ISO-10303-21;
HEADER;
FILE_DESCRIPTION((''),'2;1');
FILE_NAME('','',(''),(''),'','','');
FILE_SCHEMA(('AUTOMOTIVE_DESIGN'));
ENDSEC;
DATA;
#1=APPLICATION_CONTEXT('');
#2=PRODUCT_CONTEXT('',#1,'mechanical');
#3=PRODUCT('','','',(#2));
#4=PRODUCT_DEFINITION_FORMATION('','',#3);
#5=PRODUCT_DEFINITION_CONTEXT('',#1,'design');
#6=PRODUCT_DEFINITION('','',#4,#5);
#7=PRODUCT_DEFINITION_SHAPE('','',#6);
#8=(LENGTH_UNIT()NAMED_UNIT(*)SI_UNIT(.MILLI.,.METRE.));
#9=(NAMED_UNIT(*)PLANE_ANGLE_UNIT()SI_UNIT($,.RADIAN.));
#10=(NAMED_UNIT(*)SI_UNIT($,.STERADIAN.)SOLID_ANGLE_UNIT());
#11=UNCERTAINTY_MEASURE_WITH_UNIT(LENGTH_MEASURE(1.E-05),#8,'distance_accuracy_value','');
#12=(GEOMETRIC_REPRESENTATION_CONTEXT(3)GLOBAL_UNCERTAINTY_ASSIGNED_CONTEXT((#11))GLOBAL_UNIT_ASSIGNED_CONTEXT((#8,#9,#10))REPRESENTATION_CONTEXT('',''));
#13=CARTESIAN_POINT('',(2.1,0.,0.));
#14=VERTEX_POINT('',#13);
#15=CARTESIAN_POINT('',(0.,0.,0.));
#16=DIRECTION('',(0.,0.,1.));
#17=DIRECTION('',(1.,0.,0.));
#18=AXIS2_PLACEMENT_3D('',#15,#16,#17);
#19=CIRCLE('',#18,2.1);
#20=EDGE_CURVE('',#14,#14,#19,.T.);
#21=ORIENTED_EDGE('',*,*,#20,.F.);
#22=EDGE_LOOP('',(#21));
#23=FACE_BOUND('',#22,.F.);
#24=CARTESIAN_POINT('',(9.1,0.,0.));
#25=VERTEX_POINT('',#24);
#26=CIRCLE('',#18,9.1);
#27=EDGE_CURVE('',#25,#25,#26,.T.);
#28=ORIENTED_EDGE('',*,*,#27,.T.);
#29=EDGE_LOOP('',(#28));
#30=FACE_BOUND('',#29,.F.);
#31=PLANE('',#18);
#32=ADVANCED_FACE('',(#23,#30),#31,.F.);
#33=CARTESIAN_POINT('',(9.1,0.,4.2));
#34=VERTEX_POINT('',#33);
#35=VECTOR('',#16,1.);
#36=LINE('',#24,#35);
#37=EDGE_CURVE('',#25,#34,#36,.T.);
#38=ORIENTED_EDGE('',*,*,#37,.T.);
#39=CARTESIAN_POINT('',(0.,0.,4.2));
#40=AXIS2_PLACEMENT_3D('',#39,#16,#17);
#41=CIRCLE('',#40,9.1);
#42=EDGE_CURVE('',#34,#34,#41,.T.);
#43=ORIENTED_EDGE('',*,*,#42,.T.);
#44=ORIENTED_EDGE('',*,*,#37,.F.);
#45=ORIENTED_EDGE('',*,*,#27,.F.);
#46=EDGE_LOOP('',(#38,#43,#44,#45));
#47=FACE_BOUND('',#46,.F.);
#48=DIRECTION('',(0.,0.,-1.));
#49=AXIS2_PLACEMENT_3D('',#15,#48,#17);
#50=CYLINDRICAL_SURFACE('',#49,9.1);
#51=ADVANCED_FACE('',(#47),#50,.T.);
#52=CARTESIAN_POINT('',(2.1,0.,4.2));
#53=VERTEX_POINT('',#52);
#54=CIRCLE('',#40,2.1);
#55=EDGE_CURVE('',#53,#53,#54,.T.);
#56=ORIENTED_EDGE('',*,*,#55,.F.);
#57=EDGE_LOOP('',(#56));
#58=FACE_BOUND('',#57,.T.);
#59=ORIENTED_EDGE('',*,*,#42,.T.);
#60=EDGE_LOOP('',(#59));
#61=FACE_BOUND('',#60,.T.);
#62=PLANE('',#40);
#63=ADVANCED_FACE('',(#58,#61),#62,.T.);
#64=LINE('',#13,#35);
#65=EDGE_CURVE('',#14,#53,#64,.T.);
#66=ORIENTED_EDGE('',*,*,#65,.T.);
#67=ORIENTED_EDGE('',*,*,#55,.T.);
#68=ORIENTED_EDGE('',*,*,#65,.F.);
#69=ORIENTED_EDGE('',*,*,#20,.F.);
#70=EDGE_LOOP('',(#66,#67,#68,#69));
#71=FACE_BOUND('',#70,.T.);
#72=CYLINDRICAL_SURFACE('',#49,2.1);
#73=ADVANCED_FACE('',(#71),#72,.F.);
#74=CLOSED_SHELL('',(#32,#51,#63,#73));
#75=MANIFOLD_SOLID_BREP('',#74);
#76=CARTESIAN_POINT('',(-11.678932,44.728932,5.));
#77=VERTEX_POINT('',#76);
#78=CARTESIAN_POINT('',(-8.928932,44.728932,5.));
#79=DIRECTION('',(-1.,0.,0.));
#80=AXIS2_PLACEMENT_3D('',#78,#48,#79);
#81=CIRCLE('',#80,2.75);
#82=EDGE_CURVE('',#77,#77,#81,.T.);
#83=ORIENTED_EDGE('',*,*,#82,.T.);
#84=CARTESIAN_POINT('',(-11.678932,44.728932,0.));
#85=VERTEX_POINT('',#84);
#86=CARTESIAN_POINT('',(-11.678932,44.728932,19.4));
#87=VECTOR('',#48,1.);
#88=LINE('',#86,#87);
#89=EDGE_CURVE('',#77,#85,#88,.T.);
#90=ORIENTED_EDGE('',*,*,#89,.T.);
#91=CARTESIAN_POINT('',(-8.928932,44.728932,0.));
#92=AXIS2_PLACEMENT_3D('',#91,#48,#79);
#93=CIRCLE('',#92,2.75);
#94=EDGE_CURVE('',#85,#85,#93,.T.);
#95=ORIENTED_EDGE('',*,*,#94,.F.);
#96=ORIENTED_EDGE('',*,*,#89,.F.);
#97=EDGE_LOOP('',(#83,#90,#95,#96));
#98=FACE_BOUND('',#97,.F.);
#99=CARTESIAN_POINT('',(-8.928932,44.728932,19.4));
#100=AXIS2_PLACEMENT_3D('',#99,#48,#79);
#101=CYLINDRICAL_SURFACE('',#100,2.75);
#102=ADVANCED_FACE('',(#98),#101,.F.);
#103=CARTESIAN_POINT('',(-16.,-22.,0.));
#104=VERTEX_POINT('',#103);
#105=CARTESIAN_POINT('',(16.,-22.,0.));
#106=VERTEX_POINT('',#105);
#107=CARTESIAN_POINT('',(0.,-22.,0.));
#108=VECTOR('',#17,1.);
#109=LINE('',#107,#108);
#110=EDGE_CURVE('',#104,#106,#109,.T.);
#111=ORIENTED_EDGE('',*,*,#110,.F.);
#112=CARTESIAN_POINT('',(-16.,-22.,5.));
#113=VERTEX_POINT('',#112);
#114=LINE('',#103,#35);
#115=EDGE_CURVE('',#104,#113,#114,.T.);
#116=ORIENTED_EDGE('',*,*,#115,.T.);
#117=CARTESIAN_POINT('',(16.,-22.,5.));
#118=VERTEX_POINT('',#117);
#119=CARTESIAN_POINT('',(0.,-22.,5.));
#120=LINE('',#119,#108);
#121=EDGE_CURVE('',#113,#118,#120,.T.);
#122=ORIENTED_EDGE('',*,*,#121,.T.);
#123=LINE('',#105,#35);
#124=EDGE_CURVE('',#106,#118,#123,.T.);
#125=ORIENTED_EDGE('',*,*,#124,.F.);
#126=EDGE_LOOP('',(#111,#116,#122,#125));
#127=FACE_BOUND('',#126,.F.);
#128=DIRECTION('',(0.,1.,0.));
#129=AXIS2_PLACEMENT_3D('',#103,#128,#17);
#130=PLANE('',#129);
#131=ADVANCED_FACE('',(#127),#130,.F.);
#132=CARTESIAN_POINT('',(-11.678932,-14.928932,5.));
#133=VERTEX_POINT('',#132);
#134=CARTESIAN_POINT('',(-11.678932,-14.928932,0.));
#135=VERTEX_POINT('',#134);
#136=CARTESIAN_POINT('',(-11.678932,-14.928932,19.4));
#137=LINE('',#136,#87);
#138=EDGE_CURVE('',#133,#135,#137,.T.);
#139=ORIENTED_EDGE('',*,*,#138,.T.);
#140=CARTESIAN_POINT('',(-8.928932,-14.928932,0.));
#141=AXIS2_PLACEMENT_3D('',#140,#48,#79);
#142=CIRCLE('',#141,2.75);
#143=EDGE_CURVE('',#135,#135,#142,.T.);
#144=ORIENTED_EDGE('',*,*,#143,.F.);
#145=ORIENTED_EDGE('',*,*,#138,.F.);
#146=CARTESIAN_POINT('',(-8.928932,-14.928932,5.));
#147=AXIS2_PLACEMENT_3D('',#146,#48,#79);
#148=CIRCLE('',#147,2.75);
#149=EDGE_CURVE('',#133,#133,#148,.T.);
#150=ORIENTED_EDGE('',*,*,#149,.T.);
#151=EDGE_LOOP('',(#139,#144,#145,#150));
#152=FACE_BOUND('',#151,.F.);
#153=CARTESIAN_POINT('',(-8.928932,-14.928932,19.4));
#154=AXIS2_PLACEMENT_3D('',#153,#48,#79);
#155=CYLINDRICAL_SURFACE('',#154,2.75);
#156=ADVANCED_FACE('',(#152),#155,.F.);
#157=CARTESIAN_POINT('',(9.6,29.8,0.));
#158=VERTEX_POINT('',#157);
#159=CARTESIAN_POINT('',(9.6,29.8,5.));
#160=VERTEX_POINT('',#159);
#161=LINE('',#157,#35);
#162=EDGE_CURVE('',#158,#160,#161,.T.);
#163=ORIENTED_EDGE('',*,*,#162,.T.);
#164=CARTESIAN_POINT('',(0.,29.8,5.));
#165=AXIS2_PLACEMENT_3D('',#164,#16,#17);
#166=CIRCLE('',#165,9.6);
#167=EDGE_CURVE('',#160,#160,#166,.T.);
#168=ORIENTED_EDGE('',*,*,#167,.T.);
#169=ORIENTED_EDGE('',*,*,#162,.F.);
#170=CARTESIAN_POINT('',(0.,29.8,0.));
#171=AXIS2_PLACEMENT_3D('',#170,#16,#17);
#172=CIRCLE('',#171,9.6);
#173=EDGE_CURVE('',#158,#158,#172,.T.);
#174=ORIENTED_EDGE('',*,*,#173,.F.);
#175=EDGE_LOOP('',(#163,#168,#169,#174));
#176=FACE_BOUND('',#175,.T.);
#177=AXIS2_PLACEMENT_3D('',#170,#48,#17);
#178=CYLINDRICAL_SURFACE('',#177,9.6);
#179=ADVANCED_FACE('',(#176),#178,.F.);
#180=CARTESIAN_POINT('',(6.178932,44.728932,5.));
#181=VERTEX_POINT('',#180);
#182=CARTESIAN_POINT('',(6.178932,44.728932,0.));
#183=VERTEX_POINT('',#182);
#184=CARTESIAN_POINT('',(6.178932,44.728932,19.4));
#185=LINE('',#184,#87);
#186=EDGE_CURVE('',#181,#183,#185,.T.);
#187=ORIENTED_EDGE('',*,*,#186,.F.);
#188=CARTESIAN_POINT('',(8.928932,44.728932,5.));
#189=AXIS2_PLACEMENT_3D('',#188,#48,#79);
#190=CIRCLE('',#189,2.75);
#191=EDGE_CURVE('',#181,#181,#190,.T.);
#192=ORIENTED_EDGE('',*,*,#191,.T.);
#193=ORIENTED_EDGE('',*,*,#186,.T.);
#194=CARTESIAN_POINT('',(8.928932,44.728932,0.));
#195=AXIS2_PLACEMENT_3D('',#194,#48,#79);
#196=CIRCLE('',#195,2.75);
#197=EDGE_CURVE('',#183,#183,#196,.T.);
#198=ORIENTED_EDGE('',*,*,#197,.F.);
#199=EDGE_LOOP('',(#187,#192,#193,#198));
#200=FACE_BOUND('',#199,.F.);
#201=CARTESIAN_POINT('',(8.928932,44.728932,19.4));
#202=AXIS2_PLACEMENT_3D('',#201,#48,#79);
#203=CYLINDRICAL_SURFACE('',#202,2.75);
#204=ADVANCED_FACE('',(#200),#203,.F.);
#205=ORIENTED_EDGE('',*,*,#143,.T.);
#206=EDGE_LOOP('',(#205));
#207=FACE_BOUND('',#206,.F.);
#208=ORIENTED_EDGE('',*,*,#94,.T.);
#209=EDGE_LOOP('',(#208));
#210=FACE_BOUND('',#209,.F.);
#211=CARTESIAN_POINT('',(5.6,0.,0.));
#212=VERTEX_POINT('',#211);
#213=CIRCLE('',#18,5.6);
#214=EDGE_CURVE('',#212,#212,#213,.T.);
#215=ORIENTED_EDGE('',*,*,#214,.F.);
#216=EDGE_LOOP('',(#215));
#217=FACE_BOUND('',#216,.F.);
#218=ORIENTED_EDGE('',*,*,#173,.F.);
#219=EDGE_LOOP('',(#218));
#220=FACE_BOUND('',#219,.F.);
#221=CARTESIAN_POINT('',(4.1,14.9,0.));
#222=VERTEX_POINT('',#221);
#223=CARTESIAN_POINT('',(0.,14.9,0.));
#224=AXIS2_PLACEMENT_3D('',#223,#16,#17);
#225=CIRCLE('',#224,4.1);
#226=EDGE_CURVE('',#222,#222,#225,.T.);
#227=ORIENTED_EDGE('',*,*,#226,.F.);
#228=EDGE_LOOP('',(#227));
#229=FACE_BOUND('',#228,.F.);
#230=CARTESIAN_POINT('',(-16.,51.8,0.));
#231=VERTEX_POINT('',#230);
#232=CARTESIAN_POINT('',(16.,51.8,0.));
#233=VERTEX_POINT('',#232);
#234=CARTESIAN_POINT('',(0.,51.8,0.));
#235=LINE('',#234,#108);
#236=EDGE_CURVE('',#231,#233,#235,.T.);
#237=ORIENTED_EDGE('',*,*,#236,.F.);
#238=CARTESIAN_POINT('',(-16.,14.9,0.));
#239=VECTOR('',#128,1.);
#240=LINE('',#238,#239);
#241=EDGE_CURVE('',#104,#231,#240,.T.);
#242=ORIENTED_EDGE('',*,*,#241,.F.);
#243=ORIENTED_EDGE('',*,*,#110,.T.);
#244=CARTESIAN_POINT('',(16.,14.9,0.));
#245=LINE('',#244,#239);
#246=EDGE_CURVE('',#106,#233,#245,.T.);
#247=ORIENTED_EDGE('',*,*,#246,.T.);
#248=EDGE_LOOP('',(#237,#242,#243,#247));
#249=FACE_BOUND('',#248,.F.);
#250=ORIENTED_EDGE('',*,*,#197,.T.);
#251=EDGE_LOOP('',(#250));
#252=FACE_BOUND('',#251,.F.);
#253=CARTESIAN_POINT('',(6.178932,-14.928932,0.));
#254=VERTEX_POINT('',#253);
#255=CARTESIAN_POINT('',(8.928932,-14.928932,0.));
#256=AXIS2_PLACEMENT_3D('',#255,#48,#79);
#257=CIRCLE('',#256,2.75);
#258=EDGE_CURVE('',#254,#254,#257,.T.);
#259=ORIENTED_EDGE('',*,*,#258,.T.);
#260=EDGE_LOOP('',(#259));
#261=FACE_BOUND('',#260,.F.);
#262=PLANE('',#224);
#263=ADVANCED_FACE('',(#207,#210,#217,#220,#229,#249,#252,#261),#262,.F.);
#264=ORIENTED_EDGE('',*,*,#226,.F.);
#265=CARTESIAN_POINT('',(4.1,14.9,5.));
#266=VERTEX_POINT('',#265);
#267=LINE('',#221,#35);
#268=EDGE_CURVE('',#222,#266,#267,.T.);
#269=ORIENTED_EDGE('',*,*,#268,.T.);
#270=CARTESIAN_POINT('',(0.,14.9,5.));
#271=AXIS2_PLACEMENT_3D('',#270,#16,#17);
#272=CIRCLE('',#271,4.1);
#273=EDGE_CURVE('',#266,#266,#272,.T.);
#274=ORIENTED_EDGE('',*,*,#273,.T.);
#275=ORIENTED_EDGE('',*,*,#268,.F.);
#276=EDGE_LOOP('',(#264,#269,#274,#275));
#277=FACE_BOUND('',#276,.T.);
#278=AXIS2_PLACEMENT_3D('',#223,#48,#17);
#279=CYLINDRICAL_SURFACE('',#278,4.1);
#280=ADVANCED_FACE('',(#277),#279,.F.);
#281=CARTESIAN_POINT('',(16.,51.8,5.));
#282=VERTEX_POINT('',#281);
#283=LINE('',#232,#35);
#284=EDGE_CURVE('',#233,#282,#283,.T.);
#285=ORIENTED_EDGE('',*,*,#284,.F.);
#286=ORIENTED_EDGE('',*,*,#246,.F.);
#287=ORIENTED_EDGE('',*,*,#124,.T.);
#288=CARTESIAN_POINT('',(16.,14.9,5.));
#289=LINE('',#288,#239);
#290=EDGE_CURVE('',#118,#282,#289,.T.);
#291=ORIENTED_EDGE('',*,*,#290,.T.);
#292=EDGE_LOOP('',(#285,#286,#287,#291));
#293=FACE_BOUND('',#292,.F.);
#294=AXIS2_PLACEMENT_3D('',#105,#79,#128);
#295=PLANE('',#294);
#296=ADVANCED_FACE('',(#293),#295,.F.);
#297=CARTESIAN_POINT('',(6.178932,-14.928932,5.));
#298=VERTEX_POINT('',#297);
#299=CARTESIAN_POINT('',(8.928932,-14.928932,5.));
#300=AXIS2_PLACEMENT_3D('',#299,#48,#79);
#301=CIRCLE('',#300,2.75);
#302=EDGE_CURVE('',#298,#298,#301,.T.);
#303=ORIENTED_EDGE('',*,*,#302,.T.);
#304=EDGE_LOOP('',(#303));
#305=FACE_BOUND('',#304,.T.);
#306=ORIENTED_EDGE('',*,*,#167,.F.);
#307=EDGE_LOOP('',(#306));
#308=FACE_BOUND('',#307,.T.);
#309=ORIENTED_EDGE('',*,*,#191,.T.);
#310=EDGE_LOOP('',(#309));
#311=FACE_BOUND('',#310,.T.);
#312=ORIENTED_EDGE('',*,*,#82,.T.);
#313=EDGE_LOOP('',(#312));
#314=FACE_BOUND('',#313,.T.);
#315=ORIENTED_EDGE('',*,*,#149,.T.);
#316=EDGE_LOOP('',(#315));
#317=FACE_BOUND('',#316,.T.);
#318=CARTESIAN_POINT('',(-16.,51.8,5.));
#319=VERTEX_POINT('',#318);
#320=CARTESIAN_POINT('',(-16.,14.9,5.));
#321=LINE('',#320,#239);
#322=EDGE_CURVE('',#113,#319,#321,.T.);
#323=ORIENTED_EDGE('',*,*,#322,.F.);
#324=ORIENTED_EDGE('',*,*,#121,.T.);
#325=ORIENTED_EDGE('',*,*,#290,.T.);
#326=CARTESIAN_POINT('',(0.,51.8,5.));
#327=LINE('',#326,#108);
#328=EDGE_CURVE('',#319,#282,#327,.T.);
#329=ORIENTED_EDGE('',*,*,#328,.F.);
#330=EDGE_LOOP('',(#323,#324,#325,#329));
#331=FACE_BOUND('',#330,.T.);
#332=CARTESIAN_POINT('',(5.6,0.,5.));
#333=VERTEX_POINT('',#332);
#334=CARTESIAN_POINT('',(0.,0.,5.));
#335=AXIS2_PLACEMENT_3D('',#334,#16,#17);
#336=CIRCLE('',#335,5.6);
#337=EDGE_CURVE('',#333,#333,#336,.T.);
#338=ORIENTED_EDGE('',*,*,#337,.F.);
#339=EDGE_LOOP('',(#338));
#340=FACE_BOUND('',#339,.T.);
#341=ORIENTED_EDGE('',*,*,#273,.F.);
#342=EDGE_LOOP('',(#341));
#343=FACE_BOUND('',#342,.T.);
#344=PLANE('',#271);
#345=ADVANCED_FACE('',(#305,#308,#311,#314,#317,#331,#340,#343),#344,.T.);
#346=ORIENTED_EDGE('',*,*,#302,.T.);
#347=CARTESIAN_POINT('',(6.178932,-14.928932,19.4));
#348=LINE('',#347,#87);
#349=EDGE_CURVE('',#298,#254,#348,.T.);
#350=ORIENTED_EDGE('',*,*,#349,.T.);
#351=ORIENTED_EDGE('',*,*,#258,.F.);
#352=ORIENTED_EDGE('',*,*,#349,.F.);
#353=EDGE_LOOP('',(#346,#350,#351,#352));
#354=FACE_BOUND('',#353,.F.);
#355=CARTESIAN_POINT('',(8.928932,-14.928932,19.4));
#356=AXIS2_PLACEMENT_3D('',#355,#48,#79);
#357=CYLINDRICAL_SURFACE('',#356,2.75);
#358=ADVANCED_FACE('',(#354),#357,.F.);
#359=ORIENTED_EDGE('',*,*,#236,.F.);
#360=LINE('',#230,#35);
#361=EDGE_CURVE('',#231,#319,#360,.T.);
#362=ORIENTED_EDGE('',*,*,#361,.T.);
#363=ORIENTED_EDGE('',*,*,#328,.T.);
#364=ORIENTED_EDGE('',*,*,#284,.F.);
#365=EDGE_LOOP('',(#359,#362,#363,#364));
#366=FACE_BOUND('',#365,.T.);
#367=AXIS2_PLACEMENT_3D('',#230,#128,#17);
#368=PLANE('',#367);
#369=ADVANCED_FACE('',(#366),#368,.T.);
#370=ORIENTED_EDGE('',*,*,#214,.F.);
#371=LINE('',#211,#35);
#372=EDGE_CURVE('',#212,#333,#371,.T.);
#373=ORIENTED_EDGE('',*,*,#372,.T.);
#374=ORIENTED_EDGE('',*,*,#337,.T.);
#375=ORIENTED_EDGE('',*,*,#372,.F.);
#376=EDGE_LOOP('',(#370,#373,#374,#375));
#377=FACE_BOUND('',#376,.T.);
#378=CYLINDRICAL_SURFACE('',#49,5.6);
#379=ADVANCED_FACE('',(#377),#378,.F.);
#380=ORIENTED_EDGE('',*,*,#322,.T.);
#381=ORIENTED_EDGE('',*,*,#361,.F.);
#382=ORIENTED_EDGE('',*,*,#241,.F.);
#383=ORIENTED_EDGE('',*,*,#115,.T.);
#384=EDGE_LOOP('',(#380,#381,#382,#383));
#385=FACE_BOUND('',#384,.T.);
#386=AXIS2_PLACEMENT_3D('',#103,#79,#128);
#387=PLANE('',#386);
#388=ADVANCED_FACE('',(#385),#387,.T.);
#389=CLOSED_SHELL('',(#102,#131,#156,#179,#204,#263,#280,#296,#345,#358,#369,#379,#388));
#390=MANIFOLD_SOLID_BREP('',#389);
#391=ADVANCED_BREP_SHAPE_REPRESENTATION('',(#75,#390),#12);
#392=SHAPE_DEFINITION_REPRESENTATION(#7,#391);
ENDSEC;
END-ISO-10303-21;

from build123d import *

# Parameters (mm, degrees)
F1_W     = 32
F1_H     = 73.8
F1_R     = 5.6
F1_R_2   = 4.1
F1_R_3   = 9.6
F2_DEPTH = 5
F4_D     = 5.5
F4_DEPTH = 14.4
F4_TIP   = 1.6523667023
F5_R     = 9.1
F5_R_2   = 2.1
F6_DEPTH = 4.2


with BuildPart() as f2:
    # F1 (on Top) → F2 (new body)
    with BuildSketch(Plane.XY):
        with Locations((0, 14.9)):
            Rectangle(F1_W, F1_H)
        Circle(F1_R, mode=Mode.SUBTRACT)
        with Locations((0, 14.9)):
            Circle(F1_R_2, mode=Mode.SUBTRACT)
        with Locations((0, 29.8)):
            Circle(F1_R_3, mode=Mode.SUBTRACT)
    extrude(amount=F2_DEPTH)

    # F4
    with Locations(Plane.XY.offset(5)):
        with Locations((-8.9289321881, 44.7289321881), (8.9289321881, 44.7289321881), (8.9289321881, -14.9289321881), (-8.9289321881, -14.9289321881)):
            Hole(F4_D / 2, depth=F4_DEPTH)
            with Locations((0, 0, -(F4_DEPTH + F4_TIP / 2))):  # 118° drill point
                Cone(0, F4_D / 2, F4_TIP, mode=Mode.SUBTRACT)


with BuildPart() as f6:
    # F5 (on Top) → F6 (new body)
    with BuildSketch(Plane.XY):
        Circle(F5_R)
        Circle(F5_R_2, mode=Mode.SUBTRACT)
    extrude(amount=F6_DEPTH)


solid = Compound([f2.part, f6.part])
